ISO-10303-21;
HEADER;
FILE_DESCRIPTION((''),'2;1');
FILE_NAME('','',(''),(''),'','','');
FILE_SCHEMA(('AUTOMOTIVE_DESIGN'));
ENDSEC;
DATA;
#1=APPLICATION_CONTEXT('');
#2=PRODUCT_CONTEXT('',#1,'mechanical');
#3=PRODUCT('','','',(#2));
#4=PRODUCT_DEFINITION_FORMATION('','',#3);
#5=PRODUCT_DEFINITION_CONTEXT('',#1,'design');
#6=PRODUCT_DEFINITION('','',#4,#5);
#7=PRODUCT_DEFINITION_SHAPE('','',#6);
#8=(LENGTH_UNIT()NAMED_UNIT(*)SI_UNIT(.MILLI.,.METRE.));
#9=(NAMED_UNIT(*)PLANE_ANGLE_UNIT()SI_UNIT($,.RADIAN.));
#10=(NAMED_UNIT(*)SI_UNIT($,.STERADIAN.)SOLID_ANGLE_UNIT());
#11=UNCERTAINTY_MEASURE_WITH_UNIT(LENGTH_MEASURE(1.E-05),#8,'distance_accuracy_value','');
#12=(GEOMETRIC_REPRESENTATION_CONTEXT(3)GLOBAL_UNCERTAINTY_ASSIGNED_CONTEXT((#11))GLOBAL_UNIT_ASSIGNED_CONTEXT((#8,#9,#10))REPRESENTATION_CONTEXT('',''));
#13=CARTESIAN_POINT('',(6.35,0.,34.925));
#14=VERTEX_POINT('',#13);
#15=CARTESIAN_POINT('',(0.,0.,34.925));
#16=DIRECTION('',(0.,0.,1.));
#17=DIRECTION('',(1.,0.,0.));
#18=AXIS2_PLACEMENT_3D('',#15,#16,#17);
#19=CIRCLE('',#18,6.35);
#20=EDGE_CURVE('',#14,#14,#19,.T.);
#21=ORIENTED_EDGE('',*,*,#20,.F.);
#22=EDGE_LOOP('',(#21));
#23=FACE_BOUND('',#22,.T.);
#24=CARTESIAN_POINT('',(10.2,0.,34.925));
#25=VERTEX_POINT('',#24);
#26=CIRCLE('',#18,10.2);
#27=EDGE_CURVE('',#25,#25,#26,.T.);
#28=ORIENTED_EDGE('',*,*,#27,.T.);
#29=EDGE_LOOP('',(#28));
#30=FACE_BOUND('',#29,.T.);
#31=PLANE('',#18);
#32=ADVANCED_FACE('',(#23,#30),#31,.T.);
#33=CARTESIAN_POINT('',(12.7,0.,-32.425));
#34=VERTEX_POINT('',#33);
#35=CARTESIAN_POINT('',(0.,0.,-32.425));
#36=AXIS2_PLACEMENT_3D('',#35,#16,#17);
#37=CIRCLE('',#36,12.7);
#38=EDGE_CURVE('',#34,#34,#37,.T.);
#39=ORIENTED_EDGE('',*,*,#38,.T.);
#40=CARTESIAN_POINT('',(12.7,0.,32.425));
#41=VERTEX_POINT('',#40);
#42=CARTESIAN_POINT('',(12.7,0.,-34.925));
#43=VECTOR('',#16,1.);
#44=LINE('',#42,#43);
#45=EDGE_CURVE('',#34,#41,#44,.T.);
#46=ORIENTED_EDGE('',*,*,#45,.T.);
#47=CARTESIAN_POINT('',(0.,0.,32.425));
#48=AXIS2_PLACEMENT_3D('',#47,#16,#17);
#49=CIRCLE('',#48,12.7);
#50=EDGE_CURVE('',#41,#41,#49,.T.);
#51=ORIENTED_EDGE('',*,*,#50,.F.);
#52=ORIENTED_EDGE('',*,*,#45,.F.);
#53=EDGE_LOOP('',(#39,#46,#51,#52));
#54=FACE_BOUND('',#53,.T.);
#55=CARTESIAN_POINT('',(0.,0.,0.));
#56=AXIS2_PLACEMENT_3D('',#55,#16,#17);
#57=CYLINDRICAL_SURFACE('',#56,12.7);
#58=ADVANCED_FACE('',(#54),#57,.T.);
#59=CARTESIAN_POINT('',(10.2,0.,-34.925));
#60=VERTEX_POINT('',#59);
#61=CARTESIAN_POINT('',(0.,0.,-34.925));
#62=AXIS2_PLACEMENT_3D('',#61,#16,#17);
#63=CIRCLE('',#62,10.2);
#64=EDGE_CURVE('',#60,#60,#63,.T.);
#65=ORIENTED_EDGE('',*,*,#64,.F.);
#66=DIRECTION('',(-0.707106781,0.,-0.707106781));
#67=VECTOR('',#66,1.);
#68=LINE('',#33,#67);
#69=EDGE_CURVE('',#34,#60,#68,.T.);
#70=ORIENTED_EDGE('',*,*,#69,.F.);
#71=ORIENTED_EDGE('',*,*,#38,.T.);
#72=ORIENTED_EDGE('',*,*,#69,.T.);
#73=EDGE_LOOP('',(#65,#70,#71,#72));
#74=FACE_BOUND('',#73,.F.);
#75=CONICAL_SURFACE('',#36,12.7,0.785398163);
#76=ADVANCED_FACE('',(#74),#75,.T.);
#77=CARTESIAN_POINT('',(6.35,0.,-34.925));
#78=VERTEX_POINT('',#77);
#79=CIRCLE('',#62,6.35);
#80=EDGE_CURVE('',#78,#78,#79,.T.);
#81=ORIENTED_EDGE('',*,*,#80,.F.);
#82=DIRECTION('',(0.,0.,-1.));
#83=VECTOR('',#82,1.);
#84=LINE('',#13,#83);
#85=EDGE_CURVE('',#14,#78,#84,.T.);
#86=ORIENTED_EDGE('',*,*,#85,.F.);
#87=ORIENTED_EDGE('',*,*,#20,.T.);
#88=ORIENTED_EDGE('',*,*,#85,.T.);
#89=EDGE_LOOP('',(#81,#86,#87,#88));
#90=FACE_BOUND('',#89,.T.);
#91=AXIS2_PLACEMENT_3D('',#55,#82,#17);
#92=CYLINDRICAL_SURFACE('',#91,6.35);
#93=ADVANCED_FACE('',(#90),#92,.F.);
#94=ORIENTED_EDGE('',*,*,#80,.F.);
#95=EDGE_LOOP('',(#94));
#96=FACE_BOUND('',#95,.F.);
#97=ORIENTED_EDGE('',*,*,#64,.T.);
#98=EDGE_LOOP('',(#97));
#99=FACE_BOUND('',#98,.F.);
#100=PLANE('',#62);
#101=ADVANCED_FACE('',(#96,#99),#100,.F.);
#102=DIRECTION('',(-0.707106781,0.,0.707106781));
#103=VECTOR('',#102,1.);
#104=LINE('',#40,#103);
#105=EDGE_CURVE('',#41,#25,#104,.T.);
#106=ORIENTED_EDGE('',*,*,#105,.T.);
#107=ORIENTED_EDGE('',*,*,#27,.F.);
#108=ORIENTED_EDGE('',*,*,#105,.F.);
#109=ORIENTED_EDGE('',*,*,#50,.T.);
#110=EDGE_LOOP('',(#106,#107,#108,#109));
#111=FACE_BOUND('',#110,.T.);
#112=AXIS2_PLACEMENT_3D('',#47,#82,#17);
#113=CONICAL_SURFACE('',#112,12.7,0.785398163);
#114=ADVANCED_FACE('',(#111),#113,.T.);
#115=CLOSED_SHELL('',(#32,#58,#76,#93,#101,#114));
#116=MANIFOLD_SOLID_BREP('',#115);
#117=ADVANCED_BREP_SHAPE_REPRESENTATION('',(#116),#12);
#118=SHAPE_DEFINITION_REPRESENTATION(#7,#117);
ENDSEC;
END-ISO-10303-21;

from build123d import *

# Parameters (mm, degrees)
ESQUISSE1_R        = 12.7
ESQUISSE1_R_2      = 6.35
BOSS_EXTRU_1_DEPTH = 34.925
CHANFREIN1_SIZE    = 2.5


with BuildPart() as part:
    # Esquisse1 → Boss.-Extru.1 (new body, symmetric)
    with BuildSketch(Plane.XY):
        Circle(ESQUISSE1_R)
        Circle(ESQUISSE1_R_2, mode=Mode.SUBTRACT)
    extrude(amount=BOSS_EXTRU_1_DEPTH, both=True)

    # Chanfrein1
    chanfrein1_edges = [part.edges().sort_by_distance(p)[0] for p in [
        (-12.7, 0, -34.925),
        (-12.7, 0, 34.925),
    ]]
    chamfer(chanfrein1_edges, length=CHANFREIN1_SIZE)


solid = part.part
